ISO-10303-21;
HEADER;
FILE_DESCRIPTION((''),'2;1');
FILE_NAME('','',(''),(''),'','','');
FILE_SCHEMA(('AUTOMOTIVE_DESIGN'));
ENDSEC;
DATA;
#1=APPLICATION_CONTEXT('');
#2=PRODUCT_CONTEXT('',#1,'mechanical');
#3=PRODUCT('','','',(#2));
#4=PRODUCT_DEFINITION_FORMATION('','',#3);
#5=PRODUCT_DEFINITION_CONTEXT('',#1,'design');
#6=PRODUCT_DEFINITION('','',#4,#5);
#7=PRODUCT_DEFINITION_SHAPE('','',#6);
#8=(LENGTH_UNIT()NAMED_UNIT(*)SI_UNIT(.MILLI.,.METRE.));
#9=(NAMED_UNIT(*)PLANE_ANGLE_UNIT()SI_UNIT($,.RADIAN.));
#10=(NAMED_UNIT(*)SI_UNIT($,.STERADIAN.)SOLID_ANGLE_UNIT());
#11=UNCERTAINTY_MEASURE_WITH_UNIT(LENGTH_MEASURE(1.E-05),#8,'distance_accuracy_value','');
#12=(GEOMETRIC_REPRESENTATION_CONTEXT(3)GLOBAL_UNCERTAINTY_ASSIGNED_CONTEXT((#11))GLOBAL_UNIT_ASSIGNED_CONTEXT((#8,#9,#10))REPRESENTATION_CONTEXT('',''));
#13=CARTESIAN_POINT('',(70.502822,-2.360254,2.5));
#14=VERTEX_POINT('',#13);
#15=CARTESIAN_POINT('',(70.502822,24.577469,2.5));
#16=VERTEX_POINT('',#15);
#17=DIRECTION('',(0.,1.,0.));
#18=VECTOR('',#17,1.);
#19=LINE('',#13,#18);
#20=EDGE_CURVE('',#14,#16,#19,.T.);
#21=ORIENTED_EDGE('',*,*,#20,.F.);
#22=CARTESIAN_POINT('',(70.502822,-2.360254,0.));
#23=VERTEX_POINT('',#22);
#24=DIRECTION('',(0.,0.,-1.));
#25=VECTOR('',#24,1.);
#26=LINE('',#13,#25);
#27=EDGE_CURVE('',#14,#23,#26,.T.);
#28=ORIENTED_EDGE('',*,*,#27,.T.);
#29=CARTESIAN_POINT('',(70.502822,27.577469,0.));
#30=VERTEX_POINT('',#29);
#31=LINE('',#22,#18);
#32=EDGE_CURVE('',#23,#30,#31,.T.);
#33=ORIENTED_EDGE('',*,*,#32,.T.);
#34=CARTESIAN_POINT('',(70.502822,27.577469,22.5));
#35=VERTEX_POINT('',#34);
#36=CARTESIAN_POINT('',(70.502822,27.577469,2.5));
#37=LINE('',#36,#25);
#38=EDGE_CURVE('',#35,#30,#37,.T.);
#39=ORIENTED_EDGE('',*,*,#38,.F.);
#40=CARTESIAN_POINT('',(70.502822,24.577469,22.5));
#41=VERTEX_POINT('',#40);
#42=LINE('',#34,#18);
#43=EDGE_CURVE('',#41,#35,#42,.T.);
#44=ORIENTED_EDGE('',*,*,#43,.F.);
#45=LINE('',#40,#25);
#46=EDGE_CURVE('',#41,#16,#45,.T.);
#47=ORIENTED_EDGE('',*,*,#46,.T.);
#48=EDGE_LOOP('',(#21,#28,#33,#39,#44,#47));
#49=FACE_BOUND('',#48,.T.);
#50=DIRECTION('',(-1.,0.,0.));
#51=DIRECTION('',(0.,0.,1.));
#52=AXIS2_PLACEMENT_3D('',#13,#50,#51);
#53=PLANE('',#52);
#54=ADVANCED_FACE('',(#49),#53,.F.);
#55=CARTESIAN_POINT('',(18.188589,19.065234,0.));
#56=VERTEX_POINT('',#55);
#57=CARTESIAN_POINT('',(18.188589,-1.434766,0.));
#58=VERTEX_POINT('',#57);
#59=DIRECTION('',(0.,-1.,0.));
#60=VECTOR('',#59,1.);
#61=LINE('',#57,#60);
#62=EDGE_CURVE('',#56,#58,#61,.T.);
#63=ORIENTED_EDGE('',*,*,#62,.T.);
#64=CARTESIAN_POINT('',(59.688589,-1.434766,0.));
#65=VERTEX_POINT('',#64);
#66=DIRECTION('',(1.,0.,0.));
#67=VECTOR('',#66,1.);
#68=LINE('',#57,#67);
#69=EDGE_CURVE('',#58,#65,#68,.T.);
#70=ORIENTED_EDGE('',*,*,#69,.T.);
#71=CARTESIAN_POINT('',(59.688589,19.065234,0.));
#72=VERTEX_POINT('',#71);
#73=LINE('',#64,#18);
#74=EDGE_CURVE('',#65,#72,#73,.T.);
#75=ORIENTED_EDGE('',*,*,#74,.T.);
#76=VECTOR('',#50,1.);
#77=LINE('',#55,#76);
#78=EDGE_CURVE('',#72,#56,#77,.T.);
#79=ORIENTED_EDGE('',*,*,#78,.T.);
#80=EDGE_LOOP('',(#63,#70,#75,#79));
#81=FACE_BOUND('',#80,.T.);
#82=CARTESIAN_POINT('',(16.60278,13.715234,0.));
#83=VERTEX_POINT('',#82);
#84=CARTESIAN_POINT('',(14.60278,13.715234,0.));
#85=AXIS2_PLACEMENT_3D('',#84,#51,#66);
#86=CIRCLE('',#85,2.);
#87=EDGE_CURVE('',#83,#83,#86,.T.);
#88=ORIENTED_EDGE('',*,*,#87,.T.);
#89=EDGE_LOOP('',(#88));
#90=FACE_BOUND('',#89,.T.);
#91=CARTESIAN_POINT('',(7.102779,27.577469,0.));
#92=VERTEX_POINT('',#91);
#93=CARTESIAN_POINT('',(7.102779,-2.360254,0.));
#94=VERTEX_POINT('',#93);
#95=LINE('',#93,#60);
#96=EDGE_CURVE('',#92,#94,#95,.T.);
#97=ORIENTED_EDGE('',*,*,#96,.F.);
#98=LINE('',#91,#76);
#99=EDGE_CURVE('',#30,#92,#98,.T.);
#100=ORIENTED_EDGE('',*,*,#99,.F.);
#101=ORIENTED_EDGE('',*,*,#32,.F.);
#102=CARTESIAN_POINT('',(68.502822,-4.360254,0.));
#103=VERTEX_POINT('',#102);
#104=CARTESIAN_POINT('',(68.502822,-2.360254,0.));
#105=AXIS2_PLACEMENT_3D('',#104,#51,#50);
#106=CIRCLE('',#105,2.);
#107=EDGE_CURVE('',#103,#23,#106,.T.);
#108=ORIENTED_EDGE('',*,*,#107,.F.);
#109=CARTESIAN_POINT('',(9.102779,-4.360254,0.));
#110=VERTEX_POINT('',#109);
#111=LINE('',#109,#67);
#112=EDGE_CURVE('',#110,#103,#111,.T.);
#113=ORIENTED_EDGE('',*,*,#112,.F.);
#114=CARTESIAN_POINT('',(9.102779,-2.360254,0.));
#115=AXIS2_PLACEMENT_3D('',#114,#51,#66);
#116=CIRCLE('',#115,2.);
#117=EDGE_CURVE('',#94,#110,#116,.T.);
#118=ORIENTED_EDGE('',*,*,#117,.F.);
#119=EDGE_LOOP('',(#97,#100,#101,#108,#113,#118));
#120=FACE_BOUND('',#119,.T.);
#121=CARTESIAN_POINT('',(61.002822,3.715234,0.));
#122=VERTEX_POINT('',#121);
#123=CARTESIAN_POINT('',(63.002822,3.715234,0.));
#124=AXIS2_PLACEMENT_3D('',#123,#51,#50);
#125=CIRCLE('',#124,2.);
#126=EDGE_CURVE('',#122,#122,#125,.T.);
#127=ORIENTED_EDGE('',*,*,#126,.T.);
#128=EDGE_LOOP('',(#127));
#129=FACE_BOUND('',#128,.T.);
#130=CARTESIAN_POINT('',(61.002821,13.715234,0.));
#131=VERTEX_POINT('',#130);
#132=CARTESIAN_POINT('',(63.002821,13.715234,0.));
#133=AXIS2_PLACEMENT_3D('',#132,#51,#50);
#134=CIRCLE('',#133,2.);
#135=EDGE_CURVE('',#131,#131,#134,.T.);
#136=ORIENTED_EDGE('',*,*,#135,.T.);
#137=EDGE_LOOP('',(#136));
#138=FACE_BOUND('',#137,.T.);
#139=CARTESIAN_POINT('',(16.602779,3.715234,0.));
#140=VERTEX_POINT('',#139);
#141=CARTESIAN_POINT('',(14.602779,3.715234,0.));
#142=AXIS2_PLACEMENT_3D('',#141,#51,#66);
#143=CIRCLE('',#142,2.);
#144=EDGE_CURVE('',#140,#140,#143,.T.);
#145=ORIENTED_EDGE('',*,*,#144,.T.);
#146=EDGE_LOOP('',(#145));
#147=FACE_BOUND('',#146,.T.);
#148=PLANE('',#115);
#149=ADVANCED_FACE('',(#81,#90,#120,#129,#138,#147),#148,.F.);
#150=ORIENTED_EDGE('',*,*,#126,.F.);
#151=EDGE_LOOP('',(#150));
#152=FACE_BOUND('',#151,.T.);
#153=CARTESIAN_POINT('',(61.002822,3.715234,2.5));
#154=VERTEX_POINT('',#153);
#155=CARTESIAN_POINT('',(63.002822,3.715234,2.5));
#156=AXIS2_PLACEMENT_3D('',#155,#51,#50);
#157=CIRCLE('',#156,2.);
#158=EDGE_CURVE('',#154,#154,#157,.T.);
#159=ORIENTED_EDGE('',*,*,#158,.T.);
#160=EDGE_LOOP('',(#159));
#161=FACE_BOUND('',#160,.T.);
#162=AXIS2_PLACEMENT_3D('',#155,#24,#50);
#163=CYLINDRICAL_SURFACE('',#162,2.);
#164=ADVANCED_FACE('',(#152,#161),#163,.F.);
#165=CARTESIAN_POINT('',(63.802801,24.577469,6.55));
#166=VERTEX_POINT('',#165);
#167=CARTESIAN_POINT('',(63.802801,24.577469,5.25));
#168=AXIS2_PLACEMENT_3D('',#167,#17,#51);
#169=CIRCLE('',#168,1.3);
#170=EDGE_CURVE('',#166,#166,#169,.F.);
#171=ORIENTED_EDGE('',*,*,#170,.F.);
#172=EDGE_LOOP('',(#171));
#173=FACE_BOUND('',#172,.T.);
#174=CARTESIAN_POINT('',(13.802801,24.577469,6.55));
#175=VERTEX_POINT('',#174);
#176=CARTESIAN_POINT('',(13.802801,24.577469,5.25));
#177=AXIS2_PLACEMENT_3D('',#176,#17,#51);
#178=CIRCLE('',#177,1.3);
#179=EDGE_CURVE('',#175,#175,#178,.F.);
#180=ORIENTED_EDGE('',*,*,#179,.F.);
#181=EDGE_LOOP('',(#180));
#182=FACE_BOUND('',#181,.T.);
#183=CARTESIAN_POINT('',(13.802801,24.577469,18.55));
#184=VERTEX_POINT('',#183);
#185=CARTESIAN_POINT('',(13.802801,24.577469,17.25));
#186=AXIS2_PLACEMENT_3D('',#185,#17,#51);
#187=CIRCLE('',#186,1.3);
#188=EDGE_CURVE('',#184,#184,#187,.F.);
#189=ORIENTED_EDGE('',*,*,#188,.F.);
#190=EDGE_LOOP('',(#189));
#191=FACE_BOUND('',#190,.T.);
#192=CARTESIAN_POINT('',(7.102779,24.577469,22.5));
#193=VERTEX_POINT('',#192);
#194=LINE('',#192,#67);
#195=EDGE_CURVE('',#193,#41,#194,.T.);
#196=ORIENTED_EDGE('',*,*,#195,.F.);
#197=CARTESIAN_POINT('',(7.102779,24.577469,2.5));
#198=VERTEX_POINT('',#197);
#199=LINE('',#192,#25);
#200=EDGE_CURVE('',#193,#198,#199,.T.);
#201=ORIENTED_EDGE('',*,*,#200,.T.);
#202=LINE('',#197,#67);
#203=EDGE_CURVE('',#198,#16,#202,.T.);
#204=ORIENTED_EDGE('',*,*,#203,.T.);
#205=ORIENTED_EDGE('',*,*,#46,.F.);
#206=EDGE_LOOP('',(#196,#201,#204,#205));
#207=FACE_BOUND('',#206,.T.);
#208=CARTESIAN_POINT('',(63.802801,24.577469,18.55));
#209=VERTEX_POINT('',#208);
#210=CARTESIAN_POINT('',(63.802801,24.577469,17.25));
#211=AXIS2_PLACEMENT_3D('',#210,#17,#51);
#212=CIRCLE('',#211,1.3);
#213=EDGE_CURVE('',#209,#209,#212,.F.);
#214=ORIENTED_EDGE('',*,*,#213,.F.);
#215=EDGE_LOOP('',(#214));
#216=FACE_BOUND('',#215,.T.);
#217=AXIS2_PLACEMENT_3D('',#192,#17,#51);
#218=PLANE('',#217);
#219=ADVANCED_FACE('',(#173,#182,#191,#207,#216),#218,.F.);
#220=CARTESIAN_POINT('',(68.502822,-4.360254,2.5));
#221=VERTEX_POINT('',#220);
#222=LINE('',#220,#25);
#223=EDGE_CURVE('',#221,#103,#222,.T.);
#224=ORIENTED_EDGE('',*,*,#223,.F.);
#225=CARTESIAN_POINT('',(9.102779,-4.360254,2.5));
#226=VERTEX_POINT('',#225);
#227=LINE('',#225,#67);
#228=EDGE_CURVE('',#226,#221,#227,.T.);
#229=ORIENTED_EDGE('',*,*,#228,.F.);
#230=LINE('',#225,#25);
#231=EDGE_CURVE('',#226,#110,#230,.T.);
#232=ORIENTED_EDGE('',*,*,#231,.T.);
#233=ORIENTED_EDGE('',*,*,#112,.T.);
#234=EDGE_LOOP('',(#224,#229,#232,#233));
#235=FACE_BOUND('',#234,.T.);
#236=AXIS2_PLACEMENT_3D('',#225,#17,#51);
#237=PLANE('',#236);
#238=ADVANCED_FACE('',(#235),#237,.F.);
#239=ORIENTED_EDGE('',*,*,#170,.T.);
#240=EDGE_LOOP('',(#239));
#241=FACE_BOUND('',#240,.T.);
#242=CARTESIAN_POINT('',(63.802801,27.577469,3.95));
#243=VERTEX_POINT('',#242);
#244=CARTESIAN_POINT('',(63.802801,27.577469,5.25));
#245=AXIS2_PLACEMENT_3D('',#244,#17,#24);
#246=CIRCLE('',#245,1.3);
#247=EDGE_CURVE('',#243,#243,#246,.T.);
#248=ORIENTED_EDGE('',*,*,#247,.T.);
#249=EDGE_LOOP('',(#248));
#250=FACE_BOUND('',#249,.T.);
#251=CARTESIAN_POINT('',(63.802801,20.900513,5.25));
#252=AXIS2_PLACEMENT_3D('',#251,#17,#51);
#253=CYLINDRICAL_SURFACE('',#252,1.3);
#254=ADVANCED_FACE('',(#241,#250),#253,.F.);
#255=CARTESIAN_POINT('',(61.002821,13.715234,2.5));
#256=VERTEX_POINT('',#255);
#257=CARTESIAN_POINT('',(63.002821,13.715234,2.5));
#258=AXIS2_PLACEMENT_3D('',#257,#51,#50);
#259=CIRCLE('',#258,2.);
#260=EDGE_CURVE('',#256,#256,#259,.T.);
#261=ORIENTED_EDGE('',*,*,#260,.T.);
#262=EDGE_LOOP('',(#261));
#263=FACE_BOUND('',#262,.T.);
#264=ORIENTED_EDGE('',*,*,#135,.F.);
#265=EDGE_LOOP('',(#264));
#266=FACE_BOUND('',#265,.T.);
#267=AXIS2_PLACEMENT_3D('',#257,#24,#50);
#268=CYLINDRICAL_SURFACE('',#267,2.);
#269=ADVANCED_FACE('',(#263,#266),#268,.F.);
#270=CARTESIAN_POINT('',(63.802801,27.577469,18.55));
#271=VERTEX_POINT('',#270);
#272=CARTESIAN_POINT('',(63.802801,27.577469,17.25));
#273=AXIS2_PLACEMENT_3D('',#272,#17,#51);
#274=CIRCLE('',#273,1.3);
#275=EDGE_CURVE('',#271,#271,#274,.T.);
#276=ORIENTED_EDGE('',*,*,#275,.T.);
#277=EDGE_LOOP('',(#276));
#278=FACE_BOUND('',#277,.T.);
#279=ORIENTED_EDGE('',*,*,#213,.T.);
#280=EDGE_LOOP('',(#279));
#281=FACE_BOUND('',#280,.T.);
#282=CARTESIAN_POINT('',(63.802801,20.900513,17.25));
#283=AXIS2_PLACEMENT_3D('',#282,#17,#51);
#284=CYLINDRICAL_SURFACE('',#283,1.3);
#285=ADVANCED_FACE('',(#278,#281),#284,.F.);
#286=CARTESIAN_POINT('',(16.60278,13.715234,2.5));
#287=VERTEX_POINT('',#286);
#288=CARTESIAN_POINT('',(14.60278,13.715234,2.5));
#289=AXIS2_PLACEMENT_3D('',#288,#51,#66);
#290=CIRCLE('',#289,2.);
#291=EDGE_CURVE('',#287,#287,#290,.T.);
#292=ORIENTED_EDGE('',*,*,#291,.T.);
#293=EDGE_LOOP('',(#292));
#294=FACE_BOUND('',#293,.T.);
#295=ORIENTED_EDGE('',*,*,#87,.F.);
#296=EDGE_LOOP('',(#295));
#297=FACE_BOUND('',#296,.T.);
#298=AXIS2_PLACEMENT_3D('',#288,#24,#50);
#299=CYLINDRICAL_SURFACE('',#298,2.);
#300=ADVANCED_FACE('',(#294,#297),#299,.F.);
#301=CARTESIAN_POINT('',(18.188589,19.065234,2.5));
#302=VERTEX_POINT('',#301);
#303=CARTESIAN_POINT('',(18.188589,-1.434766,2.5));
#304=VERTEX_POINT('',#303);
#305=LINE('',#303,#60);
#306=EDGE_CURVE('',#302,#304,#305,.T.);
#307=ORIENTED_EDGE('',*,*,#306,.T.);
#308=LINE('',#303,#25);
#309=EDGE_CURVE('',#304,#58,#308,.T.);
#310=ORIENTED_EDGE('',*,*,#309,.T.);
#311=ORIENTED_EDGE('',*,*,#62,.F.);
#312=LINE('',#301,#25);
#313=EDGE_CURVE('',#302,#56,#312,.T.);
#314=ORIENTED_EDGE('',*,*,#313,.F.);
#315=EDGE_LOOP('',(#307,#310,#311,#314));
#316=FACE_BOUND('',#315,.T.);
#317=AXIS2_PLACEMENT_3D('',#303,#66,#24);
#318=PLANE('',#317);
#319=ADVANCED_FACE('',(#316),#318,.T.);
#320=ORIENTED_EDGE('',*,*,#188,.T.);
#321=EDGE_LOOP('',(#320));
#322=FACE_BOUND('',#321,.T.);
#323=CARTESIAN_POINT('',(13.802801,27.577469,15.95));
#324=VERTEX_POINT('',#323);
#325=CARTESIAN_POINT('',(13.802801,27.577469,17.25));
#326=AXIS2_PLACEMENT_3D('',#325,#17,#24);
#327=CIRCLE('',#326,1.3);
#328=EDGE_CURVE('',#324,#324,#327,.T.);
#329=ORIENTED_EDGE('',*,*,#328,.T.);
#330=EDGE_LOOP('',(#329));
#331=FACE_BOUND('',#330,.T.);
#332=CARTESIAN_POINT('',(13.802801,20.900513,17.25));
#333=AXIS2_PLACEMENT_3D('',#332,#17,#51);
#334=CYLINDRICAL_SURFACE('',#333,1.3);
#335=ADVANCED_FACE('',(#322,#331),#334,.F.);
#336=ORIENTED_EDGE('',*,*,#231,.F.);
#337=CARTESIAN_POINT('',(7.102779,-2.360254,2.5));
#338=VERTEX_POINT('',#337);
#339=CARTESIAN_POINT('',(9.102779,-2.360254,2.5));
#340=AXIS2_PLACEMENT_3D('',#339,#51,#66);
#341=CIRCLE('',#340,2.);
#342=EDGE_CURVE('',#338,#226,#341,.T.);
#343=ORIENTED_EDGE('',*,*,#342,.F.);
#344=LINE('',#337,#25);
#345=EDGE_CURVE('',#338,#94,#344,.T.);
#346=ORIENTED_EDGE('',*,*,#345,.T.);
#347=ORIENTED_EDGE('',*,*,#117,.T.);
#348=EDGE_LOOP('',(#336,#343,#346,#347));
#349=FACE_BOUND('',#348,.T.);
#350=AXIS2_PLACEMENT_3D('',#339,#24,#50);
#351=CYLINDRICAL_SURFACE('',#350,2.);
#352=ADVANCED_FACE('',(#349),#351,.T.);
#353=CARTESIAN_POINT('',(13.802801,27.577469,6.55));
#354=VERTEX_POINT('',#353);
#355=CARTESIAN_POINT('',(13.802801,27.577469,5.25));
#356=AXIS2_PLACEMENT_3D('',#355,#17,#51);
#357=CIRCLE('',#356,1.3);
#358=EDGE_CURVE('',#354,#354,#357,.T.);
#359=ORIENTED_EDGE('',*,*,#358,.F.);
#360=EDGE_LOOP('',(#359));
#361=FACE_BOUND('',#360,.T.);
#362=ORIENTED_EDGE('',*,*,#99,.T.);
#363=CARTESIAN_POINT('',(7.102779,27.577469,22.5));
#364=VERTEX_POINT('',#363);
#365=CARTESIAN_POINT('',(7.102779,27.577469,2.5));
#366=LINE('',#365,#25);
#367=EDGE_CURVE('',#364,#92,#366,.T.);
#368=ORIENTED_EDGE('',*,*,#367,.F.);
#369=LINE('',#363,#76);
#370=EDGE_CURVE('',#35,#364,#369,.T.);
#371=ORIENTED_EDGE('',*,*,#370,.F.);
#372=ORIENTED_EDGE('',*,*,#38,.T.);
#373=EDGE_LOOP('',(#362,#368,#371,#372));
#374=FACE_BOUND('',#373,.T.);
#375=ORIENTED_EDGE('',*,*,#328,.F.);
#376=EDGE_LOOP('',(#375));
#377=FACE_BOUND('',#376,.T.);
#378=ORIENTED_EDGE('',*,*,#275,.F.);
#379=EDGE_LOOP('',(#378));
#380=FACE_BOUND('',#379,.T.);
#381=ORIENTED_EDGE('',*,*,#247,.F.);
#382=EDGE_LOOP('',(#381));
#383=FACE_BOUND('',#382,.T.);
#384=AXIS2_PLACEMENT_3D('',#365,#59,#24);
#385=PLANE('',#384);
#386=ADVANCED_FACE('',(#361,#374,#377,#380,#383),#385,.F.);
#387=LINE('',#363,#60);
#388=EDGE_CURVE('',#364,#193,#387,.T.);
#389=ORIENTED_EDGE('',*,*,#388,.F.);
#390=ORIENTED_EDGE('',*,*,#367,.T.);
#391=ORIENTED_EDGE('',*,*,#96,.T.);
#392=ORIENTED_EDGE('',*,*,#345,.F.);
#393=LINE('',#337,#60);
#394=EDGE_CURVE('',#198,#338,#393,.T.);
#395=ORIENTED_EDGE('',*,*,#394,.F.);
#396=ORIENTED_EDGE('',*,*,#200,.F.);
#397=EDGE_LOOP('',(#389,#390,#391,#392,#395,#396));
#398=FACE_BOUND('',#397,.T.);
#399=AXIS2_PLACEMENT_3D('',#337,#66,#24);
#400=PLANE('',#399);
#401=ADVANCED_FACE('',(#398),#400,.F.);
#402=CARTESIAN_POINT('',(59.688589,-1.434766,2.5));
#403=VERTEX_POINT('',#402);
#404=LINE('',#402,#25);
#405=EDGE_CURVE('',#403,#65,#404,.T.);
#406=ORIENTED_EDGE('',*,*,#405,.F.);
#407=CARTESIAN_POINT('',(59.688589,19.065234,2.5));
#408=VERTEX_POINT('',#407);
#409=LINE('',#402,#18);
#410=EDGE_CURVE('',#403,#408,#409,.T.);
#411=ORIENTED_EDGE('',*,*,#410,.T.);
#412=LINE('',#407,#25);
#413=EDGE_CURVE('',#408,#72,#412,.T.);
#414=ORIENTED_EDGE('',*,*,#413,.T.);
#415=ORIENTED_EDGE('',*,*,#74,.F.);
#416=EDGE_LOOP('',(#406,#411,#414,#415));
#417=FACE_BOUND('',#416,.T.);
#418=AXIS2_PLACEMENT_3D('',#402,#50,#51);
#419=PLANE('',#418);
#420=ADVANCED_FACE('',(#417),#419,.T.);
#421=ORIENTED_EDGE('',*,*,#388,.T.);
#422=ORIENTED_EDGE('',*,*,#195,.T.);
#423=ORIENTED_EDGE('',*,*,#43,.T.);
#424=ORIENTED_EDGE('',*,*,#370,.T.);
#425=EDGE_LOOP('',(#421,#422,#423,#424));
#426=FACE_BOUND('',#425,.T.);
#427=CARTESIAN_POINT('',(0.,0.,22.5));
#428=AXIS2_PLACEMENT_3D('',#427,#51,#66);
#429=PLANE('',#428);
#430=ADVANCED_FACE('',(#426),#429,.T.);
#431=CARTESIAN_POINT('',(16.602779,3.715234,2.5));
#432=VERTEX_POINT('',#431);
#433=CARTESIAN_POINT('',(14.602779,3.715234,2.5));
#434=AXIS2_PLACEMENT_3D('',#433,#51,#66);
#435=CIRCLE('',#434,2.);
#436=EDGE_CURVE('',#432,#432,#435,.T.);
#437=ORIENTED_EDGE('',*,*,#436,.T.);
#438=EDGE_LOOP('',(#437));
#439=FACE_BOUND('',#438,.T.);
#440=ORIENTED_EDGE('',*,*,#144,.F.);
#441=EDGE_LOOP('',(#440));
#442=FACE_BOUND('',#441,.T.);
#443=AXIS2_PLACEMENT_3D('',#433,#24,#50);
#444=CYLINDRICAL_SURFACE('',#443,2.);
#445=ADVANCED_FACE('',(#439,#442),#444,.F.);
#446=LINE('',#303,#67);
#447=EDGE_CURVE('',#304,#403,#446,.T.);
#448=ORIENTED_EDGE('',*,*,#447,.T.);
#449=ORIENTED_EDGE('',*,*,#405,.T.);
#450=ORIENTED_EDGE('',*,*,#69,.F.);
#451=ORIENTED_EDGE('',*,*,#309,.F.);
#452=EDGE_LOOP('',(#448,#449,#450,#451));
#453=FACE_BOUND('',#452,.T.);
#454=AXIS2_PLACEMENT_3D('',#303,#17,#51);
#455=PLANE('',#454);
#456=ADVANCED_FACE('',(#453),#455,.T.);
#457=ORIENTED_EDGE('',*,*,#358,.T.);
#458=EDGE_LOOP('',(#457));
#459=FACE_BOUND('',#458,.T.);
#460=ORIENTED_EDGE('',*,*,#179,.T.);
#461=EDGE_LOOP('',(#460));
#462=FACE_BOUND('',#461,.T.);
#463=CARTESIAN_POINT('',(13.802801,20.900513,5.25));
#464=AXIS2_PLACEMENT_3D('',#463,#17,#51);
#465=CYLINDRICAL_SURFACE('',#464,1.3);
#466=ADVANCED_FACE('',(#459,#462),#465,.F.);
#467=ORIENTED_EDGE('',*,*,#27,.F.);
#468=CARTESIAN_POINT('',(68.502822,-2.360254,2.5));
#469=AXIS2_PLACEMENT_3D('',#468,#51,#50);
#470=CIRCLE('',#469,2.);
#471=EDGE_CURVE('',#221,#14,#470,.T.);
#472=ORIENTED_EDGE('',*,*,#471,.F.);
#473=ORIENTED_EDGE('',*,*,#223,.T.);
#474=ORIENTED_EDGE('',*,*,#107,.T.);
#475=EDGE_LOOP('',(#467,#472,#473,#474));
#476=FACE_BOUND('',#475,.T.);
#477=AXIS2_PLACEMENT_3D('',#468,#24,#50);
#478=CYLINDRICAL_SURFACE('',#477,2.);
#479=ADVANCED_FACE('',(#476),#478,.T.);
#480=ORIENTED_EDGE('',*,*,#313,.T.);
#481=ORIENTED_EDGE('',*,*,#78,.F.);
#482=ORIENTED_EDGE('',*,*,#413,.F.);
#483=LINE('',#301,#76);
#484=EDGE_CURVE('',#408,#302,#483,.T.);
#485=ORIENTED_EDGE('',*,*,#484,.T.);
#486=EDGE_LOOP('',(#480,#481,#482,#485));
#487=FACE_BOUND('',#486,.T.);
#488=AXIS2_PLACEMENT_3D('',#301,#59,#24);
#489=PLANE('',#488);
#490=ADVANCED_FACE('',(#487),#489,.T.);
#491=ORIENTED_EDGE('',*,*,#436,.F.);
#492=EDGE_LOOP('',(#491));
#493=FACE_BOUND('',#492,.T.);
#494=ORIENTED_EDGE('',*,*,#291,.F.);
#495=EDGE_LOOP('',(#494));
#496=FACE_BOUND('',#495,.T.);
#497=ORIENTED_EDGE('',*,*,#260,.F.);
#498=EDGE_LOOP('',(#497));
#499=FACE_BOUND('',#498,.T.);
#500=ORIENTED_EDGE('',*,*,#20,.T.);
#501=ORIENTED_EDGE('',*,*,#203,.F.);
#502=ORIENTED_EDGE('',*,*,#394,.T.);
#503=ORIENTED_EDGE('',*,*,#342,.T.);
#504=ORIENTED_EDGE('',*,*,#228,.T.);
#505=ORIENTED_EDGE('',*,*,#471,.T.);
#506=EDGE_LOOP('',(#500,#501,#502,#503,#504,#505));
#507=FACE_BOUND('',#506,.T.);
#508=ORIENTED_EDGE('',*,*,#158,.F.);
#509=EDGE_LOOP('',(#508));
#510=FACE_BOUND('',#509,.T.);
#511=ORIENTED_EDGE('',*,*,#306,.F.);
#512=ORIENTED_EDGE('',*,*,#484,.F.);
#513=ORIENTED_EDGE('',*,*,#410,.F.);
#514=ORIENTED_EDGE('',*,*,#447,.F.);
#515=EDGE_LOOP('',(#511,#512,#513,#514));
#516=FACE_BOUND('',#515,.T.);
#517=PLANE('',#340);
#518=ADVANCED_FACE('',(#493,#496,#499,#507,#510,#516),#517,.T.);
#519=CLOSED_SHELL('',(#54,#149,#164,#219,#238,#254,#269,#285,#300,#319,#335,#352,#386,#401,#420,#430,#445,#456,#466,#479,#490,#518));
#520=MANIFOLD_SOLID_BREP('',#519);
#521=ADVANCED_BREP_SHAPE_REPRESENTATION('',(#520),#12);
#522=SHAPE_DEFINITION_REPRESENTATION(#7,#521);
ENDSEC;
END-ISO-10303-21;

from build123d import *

# Parameters (mm, degrees)
SKETCH_1_R          = 2
SKETCH_1_R_2        = 2.000000001
SKETCH_1_W          = 41.5
SKETCH_1_H          = 20.5
EXTRUDE_1_DEPTH     = 2.5
SKETCH_2_W          = 63.400042917
SKETCH_2_H          = 3
EXTRUDE_2_DEPTH     = 20
SKETCH_3_R          = 1.3
CUT_EXTRUDE_1_DEPTH = 3


with BuildPart() as part:
    # 草图1 → 凸台-拉伸1 (new body)
    with BuildSketch(Plane.XY):
        with BuildLine():
            Line((9.102779232, -4.360253516), (68.502822149, -4.360253516))
            ThreePointArc((68.502822149, -4.360253516), (69.917035712, -3.774467079), (70.502822149, -2.360253516))
            Line((70.502822149, -2.360253516), (70.502822149, 27.577468612))
            Line((70.502822149, 27.577468612), (7.102779232, 27.577468612))
            Line((7.102779232, 27.577468612), (7.102779232, -2.360253516))
            ThreePointArc((7.102779232, -2.360253516), (7.688565669, -3.774467079), (9.102779232, -4.360253516))
        make_face()
        with Locations((14.602780347, 13.71523364)):
            Circle(SKETCH_1_R, mode=Mode.SUBTRACT)
        with Locations((14.602779232, 3.71523364)):
            Circle(SKETCH_1_R, mode=Mode.SUBTRACT)
        with Locations((63.002822149, 3.71523364)):
            Circle(SKETCH_1_R_2, mode=Mode.SUBTRACT)
        with Locations((63.002821034, 13.71523364)):
            Circle(SKETCH_1_R, mode=Mode.SUBTRACT)
        with Locations((38.938588543, 8.81523364)):
            Rectangle(SKETCH_1_W, SKETCH_1_H, mode=Mode.SUBTRACT)
    extrude(amount=EXTRUDE_1_DEPTH)

    # 草图2 → 凸台-拉伸2 (add)
    with BuildSketch(Plane.XY.offset(2.5)):
        with Locations((38.802800691, 26.077468612)):
            Rectangle(SKETCH_2_W, SKETCH_2_H)
    extrude(amount=EXTRUDE_2_DEPTH)

    # 草图3 → 切除-拉伸1 (cut)
    with BuildSketch(Plane(origin=(0, 27.577468612, 0), x_dir=(1, 0, 0), z_dir=(0, 1, 0))):
        with Locations((13.80280069, -5.25)):
            Circle(SKETCH_3_R)
        with Locations((63.80280069, -5.25)):
            Circle(SKETCH_3_R)
        with Locations((63.80280069, -17.25)):
            Circle(SKETCH_3_R)
        with Locations((13.80280069, -17.25)):
            Circle(SKETCH_3_R)
    extrude(amount=-CUT_EXTRUDE_1_DEPTH, mode=Mode.SUBTRACT)


solid = part.part
